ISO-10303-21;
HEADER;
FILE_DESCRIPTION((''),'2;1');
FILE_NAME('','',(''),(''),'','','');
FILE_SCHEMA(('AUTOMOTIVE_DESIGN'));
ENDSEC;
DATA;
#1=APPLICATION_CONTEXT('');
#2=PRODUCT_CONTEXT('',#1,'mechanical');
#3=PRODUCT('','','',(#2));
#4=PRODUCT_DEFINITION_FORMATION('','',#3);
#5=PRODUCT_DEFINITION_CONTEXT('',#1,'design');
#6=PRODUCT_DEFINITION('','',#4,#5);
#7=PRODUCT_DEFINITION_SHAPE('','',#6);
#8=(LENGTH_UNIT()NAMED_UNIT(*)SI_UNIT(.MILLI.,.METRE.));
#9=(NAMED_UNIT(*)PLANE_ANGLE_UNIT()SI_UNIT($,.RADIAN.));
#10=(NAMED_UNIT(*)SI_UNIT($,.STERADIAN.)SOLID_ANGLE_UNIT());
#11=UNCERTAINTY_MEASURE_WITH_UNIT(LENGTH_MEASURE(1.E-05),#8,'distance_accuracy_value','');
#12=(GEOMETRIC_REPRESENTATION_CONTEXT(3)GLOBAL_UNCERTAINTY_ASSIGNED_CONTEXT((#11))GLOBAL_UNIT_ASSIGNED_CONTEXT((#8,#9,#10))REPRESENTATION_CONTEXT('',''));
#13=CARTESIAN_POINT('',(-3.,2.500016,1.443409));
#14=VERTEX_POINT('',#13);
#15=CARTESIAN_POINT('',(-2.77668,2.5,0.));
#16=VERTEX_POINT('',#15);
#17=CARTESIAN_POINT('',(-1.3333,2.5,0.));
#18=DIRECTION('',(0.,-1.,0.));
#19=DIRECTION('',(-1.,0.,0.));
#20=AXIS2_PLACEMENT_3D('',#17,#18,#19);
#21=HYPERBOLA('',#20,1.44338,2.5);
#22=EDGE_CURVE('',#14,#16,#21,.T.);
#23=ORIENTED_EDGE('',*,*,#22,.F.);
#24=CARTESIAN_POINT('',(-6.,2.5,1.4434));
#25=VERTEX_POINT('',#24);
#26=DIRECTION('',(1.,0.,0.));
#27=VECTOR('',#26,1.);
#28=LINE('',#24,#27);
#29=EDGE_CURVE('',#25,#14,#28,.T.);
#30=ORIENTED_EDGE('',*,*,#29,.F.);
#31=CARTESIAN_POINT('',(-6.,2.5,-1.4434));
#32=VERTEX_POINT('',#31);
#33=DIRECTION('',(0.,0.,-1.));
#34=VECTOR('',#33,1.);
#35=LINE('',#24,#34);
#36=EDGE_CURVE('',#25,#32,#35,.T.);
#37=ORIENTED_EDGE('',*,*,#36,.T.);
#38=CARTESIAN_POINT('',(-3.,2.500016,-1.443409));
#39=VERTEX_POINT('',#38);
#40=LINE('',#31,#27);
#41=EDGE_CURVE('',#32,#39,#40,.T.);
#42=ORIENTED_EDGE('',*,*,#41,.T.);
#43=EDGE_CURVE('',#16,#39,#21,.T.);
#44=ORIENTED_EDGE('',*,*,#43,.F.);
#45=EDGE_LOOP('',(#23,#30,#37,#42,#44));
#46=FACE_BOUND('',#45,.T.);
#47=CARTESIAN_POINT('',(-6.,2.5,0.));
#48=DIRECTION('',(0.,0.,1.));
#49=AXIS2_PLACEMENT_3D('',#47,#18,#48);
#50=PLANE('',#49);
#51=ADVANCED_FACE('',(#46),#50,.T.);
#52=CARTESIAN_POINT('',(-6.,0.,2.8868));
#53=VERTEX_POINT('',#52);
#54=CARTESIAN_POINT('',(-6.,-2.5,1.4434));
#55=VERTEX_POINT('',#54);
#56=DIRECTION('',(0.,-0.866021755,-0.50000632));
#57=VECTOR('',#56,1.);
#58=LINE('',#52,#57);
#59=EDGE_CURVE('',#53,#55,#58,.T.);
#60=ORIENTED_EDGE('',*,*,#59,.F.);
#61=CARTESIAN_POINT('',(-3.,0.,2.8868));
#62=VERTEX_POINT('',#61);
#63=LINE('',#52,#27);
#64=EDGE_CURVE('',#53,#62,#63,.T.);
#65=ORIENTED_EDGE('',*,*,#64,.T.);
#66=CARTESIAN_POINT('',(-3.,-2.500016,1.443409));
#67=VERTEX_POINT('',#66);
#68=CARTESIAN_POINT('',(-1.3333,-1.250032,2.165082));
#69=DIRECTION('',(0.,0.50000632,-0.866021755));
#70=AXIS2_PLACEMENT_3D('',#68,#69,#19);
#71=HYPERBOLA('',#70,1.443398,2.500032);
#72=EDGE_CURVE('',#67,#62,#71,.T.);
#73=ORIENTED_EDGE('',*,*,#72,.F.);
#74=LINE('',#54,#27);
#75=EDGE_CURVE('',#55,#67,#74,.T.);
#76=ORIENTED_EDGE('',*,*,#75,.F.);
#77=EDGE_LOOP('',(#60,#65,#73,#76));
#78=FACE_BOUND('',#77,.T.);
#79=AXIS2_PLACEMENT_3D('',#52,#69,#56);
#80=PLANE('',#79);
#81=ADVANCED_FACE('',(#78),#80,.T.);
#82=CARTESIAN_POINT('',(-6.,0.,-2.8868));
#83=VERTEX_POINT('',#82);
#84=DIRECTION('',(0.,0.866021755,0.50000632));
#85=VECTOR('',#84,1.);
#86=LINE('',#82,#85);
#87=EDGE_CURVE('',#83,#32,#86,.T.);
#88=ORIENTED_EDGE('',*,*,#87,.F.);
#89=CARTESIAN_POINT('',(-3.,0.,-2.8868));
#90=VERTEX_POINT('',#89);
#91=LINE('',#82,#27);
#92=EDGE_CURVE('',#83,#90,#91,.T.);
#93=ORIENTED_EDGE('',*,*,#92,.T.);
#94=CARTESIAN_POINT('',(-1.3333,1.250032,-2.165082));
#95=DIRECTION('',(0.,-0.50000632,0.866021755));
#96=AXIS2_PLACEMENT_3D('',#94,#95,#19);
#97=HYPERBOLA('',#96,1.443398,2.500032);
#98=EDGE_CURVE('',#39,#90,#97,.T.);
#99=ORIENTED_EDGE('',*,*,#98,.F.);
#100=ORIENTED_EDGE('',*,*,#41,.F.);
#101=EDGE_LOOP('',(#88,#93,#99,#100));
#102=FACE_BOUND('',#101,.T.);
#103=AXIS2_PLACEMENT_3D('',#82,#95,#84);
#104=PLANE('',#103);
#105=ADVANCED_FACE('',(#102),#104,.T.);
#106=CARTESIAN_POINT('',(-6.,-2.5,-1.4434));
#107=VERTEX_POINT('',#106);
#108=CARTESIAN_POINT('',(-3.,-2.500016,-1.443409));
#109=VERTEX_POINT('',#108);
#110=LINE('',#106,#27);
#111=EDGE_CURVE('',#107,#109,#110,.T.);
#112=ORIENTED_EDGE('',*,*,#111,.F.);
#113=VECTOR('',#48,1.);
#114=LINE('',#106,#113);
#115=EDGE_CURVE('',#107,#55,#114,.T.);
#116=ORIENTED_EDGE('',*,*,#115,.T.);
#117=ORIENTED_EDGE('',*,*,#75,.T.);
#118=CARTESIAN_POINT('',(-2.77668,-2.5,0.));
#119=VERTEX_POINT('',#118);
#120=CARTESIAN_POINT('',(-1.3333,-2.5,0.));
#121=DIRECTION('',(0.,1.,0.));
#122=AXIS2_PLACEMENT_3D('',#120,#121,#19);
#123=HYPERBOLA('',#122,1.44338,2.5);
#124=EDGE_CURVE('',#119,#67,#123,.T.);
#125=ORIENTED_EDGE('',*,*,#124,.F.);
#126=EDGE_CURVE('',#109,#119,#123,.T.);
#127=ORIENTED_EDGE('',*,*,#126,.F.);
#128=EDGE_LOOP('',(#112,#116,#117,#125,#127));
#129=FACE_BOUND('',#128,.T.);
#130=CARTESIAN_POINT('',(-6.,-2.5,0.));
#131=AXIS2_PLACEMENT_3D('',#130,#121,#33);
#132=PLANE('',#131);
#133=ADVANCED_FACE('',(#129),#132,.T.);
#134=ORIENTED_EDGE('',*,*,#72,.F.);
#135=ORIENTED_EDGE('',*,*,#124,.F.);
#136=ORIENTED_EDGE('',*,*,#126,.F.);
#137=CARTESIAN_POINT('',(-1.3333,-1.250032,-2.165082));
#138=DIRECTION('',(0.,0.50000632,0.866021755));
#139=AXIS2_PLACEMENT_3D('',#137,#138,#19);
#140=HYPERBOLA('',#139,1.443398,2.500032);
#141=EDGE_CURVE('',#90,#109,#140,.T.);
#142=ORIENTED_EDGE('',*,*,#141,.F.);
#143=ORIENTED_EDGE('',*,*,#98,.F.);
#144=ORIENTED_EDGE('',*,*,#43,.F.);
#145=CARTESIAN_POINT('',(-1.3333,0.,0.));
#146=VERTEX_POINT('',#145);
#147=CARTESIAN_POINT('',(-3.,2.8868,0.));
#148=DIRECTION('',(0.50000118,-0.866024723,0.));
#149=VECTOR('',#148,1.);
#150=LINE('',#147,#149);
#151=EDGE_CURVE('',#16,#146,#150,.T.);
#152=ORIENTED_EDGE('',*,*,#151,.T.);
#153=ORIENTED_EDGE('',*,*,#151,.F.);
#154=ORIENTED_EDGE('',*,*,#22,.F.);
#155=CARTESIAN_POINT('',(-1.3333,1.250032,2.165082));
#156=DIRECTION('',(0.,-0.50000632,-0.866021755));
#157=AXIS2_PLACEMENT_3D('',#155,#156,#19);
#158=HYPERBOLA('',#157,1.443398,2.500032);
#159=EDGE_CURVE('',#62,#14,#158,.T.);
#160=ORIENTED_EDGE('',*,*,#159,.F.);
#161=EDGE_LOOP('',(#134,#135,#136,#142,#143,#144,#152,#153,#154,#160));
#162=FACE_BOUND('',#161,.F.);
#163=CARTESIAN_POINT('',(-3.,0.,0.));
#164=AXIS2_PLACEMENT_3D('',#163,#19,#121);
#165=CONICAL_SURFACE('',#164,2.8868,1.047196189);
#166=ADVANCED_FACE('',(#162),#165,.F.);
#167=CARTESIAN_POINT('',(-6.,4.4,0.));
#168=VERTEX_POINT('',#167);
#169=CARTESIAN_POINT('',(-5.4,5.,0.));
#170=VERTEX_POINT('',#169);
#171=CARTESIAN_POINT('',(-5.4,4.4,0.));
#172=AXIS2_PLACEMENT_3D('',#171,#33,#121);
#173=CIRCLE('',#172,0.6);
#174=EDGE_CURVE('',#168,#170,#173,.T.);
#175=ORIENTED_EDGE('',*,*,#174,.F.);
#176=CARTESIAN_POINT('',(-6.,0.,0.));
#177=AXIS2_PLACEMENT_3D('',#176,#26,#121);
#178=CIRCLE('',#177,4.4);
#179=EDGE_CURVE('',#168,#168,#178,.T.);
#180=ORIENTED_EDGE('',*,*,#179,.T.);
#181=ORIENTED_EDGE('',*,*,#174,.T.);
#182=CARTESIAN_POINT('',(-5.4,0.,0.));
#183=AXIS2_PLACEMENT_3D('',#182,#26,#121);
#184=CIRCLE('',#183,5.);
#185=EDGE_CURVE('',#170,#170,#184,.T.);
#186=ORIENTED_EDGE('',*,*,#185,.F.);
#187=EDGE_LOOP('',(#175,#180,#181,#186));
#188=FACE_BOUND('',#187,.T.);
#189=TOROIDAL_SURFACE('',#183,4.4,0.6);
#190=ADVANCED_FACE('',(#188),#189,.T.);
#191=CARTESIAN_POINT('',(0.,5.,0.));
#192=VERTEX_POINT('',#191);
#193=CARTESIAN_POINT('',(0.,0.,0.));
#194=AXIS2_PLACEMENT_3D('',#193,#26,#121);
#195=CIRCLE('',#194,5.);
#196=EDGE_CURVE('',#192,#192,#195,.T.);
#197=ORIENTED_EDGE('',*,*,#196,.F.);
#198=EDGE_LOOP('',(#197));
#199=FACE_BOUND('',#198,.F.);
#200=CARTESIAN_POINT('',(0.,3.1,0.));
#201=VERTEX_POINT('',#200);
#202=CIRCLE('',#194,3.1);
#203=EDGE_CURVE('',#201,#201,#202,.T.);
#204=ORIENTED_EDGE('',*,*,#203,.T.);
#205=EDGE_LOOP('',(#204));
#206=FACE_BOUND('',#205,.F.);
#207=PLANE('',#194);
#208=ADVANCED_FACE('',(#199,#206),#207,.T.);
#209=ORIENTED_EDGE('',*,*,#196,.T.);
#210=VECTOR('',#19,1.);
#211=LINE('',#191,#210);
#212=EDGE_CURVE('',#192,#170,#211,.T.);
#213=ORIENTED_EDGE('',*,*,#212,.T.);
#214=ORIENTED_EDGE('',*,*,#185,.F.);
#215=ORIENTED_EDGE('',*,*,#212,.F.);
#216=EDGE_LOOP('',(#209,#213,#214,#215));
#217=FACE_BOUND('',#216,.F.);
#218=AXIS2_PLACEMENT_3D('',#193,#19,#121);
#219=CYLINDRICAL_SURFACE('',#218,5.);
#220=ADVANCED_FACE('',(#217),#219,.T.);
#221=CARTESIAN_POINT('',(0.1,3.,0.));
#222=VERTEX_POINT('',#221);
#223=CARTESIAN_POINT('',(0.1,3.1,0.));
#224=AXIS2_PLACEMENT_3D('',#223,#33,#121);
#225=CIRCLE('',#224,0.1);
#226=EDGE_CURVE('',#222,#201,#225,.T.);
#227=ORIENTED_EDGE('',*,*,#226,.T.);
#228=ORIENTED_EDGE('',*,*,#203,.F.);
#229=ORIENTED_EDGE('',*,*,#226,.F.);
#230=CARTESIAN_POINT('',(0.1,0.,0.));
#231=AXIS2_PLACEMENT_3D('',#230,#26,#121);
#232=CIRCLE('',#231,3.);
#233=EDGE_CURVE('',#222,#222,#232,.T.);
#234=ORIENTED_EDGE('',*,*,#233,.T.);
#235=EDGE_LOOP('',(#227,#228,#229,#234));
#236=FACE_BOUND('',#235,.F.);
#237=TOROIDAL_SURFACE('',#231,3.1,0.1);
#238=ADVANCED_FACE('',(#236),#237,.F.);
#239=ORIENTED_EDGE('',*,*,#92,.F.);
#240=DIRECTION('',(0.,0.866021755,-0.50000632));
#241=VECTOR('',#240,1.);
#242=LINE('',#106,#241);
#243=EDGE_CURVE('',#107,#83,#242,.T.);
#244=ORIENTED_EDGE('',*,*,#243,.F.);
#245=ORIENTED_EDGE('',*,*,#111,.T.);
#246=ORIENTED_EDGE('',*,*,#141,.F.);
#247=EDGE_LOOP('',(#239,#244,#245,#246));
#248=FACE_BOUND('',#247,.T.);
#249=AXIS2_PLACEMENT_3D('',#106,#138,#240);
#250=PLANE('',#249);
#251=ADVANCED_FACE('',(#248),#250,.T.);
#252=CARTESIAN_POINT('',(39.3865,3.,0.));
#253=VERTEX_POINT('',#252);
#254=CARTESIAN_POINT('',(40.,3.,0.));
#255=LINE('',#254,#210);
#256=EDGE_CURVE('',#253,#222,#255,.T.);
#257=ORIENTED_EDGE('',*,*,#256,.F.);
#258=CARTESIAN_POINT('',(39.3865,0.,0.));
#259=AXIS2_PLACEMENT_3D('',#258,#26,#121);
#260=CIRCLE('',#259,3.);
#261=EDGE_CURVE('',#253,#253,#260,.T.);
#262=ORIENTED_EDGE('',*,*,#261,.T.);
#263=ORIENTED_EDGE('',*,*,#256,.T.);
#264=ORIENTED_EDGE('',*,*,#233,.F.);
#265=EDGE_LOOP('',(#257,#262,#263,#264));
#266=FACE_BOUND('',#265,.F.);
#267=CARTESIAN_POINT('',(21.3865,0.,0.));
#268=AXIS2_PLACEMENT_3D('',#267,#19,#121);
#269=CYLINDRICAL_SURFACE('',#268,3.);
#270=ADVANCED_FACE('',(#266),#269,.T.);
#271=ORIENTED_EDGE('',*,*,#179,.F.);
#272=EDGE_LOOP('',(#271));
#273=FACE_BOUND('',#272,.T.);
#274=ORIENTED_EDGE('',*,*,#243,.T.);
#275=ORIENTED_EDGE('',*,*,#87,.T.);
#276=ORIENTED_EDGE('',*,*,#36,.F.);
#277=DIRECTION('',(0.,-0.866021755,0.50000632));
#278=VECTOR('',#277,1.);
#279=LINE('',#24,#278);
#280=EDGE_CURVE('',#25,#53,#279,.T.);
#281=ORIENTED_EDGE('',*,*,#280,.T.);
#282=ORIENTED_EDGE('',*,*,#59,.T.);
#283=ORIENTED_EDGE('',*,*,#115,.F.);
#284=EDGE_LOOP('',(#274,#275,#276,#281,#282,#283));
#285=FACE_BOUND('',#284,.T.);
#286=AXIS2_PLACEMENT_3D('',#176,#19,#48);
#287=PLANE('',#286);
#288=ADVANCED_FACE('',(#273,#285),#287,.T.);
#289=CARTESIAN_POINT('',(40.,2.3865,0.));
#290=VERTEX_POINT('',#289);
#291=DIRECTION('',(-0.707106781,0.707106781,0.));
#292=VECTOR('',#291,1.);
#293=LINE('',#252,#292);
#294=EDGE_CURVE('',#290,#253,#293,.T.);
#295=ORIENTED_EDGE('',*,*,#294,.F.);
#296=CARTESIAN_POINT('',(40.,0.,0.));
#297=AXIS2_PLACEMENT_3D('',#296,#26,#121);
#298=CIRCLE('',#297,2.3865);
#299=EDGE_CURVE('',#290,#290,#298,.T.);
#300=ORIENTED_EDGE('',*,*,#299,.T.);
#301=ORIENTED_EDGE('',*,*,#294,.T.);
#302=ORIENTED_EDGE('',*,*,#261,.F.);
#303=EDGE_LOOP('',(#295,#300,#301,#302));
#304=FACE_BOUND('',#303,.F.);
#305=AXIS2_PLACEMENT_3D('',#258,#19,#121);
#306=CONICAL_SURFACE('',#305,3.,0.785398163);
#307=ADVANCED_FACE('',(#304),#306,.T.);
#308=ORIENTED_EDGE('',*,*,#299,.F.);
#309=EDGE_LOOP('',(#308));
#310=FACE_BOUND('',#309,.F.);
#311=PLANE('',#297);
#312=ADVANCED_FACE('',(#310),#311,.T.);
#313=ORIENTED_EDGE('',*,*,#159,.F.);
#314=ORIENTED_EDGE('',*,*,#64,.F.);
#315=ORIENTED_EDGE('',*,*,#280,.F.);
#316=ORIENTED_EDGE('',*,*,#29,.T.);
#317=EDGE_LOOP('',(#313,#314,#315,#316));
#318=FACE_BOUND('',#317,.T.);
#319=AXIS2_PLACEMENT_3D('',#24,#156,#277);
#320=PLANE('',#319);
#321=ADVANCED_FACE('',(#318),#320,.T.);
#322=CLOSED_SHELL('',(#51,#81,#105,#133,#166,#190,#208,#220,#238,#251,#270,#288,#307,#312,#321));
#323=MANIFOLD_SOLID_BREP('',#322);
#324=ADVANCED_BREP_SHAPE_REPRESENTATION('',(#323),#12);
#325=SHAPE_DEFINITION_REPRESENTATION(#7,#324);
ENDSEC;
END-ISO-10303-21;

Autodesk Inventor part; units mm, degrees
ref_plane "YZ Plane" through (0, 0, 0) normal (1, 0, 0) x (0, 1, 0)
ref_plane "XZ Plane" through (0, 0, 0) normal (0, 1, 0) x (-1, 0, 0)
sketch "Sketch1" plane through (0, 0, 0) normal (0, 0, 1) x (1, 0, 0)
  line L0 (-1.3333, 0) -> (40, 0)
  line L1 (40, 0) -> (40, 3)
  line L2 (40, 3) -> (22, 3)
  line L3 (22, 3) -> (21.3865, 3)
  line L4 (21.3865, 3) -> (0, 3)
  line L5 (0, 3) -> (0, 5)
  line L6 (0, 5) -> (-6, 5)
  line L7 (-6, 5) -> (-6, 2.8868)
  line L8 (-6, 2.8868) -> (-3, 2.8868)
  line L9 (-3, 2.8868) -> (-1.3333, 0)
  line L10 (-15.2, 0) -> (49.2, 0) projected
  line L11 (0, -1) -> (0, 6) projected
  line L12 (22, 3) -> (0, 3) construction
  dimension "d1" = 18
  dimension "d2" = 0.6136
  dimension "d3" = 6
  dimension "d4" = 3
  dimension "d5" = 60
  dimension "d6" = 6
  dimension "d7" = 6
  dimension "d8" = 5.7735
  dimension "d9" = 10
  dimension "d26" = 40
revolve "Body" add sketch "Sketch1" angle 360 about axis through (-1.3333, 0, 0) along (1, 0, 0)
sketch "Sketch2" plane through (-6, 0, 0) normal (-1, 0, 0) x (0, 0, 1)
  circle A0 centre (0, 0) radius 2.8868 projected
  line L0 (0, -7) -> (0, 7) projected
  line L1 (-7, 0) -> (7, 0) projected
  line L2 (2.8868, 0) -> (1.4434, -2.5)
  line L3 (1.4434, -2.5) -> (-1.4434, -2.5)
  line L4 (-1.4434, -2.5) -> (-2.8868, 0)
  line L5 (-2.8868, 0) -> (-1.4434, 2.5)
  line L6 (-1.4434, 2.5) -> (1.4434, 2.5)
  line L7 (1.4434, 2.5) -> (2.8868, 0)
extrude "Slot" add sketch "Sketch2" against normal up to next contours L7 A0 | A0 L2 | L6 L0 A0 | A0 L0 L3 | L0 L6 A0 | A0 L3 L0 | L4 A0 | A0 L5
fillet "Fillet1" radius 0.6 1 edges at (-6, -5, 0)
thread "Thread" size "M6x1" class "6g" standard "ISO Metric profile" length 18
chamfer "Chamfer1" distance 0.6135 distance2 0.6135 1 edges at (40, -3, 0) measured on face at (40, -0.7485, 0.6631)
ref_plane "Work Plane1" through (29, 0, 0) normal (0, -1, 0) x (1, 0, 0)
fillet "Fillet2" radius 0.1 1 edges at (0, -3, 0)
equation "\"d1\" = GEL"
equation "\"d3\" = KOH"
equation "\"d4\" = INTI"
equation "\"d6\" = GD"
equation "\"d7\" = BDM"
equation "\"d8\" = 1.1547 * SW"
equation "\"d9\" = KOD"
equation "\"d26\" = NLG"
equation "\"d30\" = R"
equation "\"d17\" = RR"
equation "\"d13\" = GEL"
equation "\"d15\" = -0.5 * SPD + 0.5 * GD"
equation "\"d16\" = GUL"
equation "\"GD\" = NND"
equation "\"NLG\" = 40"
equation "\"GEL\" = 18"
equation "\"KOD\" = 10"
equation "\"KOH\" = NND"
equation "\"INTI\" = 3"
equation "\"GAL\" = 0.61345 * PTC"
equation "\"GUL\" = 0.61345 * PTC"
equation "\"BDM\" = NND"
equation "\"SW\" = 5"
equation "\"RR\" = 0.1 * NND"
equation "\"SPD\" = NND - 1.2269 * PTC"
equation "\"R\" = 0.1"
equation "\"PHH\" = 0.2"
equation "\"GD1\" = THREADDIA - 1.2269 * PTC"
equation "\"THREADDIA\" = 6"
equation "\"FAWI\" = 45deg"
equation "\"PTC\" = 1"
equation "\"KOH1\" = 5.4"
equation "\"NND\" = 6"
equation "\"TOA\" = 30deg"
equation "\"E0\" = 1.155 * SW"
properties part number "AS 1420 - 1973 - M6 x 40" material "Steel, Mild"
